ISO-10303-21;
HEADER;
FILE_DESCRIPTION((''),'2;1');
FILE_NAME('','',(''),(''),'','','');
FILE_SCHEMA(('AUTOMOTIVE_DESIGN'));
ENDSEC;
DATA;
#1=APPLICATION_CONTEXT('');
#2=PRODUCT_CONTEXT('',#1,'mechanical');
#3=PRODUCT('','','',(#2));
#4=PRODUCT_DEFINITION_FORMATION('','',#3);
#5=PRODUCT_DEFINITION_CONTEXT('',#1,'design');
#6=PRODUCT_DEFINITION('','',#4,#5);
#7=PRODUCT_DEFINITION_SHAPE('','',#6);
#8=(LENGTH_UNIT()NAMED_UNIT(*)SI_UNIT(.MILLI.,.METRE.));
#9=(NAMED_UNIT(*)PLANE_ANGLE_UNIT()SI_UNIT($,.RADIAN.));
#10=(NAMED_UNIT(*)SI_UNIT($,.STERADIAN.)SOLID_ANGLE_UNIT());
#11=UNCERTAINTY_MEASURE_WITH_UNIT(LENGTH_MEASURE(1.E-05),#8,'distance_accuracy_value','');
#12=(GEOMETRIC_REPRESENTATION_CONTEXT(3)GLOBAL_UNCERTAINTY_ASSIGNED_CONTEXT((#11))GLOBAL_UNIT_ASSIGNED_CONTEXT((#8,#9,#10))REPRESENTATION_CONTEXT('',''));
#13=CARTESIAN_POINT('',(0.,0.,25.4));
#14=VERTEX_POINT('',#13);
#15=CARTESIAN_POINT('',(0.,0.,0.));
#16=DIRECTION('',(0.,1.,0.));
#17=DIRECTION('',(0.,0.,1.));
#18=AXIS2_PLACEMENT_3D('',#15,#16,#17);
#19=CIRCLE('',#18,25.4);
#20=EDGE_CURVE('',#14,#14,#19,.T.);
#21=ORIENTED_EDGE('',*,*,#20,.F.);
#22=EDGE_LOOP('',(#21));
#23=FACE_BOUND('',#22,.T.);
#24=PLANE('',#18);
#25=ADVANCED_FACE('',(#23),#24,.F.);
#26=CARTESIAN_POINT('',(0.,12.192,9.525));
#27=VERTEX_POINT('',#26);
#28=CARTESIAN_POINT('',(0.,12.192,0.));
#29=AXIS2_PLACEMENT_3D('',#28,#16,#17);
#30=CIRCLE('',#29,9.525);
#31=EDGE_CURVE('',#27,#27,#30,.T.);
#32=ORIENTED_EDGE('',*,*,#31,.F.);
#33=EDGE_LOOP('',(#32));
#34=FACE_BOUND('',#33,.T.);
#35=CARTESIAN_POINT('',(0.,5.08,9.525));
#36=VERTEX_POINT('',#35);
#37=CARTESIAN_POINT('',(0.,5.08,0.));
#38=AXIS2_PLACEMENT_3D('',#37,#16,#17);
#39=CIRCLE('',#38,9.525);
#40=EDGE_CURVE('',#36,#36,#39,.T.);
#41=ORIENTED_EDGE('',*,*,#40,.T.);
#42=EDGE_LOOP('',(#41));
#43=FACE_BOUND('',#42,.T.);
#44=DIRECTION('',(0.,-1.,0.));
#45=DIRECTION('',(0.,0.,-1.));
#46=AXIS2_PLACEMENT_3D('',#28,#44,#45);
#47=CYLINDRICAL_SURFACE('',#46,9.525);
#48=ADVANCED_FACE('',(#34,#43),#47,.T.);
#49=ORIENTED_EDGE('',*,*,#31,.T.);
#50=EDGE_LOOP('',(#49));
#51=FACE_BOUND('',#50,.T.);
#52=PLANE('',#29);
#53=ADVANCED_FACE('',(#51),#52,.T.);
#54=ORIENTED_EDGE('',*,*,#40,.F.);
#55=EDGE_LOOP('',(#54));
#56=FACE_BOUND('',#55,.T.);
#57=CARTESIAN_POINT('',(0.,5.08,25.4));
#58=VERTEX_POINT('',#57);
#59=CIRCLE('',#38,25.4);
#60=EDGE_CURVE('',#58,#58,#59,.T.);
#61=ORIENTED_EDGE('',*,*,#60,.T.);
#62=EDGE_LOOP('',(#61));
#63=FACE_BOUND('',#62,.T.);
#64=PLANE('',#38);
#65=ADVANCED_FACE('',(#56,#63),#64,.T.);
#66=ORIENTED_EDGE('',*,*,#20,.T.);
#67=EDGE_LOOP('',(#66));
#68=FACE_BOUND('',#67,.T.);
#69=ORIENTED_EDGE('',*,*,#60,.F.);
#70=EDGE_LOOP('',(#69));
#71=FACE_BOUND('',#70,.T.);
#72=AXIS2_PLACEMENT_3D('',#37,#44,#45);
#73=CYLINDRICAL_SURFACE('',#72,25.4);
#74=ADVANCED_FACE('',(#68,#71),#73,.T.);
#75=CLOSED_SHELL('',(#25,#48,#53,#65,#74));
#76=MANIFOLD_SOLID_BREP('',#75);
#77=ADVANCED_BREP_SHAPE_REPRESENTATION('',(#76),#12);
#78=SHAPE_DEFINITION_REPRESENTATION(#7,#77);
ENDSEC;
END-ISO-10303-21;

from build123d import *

# Parameters (mm, degrees)
SKETCH1_R           = 25.4
BOSS_EXTRUDE1_DEPTH = 5.08
SKETCH4_R           = 9.525
BOSS_EXTRUDE2_DEPTH = 7.112


with BuildPart() as part:
    # Sketch1 → Boss-Extrude1 (new body)
    with BuildSketch(Plane(origin=(0, 0, 0), x_dir=(1, 0, 0), z_dir=(0, 1, 0))):
        Circle(SKETCH1_R)
    extrude(amount=BOSS_EXTRUDE1_DEPTH)

    # Sketch4 → Boss-Extrude2 (add)
    with BuildSketch(Plane(origin=(0, 5.08, 0), x_dir=(1, 0, 0), z_dir=(0, 1, 0))):
        Circle(SKETCH4_R)
    extrude(amount=BOSS_EXTRUDE2_DEPTH)


solid = part.part
